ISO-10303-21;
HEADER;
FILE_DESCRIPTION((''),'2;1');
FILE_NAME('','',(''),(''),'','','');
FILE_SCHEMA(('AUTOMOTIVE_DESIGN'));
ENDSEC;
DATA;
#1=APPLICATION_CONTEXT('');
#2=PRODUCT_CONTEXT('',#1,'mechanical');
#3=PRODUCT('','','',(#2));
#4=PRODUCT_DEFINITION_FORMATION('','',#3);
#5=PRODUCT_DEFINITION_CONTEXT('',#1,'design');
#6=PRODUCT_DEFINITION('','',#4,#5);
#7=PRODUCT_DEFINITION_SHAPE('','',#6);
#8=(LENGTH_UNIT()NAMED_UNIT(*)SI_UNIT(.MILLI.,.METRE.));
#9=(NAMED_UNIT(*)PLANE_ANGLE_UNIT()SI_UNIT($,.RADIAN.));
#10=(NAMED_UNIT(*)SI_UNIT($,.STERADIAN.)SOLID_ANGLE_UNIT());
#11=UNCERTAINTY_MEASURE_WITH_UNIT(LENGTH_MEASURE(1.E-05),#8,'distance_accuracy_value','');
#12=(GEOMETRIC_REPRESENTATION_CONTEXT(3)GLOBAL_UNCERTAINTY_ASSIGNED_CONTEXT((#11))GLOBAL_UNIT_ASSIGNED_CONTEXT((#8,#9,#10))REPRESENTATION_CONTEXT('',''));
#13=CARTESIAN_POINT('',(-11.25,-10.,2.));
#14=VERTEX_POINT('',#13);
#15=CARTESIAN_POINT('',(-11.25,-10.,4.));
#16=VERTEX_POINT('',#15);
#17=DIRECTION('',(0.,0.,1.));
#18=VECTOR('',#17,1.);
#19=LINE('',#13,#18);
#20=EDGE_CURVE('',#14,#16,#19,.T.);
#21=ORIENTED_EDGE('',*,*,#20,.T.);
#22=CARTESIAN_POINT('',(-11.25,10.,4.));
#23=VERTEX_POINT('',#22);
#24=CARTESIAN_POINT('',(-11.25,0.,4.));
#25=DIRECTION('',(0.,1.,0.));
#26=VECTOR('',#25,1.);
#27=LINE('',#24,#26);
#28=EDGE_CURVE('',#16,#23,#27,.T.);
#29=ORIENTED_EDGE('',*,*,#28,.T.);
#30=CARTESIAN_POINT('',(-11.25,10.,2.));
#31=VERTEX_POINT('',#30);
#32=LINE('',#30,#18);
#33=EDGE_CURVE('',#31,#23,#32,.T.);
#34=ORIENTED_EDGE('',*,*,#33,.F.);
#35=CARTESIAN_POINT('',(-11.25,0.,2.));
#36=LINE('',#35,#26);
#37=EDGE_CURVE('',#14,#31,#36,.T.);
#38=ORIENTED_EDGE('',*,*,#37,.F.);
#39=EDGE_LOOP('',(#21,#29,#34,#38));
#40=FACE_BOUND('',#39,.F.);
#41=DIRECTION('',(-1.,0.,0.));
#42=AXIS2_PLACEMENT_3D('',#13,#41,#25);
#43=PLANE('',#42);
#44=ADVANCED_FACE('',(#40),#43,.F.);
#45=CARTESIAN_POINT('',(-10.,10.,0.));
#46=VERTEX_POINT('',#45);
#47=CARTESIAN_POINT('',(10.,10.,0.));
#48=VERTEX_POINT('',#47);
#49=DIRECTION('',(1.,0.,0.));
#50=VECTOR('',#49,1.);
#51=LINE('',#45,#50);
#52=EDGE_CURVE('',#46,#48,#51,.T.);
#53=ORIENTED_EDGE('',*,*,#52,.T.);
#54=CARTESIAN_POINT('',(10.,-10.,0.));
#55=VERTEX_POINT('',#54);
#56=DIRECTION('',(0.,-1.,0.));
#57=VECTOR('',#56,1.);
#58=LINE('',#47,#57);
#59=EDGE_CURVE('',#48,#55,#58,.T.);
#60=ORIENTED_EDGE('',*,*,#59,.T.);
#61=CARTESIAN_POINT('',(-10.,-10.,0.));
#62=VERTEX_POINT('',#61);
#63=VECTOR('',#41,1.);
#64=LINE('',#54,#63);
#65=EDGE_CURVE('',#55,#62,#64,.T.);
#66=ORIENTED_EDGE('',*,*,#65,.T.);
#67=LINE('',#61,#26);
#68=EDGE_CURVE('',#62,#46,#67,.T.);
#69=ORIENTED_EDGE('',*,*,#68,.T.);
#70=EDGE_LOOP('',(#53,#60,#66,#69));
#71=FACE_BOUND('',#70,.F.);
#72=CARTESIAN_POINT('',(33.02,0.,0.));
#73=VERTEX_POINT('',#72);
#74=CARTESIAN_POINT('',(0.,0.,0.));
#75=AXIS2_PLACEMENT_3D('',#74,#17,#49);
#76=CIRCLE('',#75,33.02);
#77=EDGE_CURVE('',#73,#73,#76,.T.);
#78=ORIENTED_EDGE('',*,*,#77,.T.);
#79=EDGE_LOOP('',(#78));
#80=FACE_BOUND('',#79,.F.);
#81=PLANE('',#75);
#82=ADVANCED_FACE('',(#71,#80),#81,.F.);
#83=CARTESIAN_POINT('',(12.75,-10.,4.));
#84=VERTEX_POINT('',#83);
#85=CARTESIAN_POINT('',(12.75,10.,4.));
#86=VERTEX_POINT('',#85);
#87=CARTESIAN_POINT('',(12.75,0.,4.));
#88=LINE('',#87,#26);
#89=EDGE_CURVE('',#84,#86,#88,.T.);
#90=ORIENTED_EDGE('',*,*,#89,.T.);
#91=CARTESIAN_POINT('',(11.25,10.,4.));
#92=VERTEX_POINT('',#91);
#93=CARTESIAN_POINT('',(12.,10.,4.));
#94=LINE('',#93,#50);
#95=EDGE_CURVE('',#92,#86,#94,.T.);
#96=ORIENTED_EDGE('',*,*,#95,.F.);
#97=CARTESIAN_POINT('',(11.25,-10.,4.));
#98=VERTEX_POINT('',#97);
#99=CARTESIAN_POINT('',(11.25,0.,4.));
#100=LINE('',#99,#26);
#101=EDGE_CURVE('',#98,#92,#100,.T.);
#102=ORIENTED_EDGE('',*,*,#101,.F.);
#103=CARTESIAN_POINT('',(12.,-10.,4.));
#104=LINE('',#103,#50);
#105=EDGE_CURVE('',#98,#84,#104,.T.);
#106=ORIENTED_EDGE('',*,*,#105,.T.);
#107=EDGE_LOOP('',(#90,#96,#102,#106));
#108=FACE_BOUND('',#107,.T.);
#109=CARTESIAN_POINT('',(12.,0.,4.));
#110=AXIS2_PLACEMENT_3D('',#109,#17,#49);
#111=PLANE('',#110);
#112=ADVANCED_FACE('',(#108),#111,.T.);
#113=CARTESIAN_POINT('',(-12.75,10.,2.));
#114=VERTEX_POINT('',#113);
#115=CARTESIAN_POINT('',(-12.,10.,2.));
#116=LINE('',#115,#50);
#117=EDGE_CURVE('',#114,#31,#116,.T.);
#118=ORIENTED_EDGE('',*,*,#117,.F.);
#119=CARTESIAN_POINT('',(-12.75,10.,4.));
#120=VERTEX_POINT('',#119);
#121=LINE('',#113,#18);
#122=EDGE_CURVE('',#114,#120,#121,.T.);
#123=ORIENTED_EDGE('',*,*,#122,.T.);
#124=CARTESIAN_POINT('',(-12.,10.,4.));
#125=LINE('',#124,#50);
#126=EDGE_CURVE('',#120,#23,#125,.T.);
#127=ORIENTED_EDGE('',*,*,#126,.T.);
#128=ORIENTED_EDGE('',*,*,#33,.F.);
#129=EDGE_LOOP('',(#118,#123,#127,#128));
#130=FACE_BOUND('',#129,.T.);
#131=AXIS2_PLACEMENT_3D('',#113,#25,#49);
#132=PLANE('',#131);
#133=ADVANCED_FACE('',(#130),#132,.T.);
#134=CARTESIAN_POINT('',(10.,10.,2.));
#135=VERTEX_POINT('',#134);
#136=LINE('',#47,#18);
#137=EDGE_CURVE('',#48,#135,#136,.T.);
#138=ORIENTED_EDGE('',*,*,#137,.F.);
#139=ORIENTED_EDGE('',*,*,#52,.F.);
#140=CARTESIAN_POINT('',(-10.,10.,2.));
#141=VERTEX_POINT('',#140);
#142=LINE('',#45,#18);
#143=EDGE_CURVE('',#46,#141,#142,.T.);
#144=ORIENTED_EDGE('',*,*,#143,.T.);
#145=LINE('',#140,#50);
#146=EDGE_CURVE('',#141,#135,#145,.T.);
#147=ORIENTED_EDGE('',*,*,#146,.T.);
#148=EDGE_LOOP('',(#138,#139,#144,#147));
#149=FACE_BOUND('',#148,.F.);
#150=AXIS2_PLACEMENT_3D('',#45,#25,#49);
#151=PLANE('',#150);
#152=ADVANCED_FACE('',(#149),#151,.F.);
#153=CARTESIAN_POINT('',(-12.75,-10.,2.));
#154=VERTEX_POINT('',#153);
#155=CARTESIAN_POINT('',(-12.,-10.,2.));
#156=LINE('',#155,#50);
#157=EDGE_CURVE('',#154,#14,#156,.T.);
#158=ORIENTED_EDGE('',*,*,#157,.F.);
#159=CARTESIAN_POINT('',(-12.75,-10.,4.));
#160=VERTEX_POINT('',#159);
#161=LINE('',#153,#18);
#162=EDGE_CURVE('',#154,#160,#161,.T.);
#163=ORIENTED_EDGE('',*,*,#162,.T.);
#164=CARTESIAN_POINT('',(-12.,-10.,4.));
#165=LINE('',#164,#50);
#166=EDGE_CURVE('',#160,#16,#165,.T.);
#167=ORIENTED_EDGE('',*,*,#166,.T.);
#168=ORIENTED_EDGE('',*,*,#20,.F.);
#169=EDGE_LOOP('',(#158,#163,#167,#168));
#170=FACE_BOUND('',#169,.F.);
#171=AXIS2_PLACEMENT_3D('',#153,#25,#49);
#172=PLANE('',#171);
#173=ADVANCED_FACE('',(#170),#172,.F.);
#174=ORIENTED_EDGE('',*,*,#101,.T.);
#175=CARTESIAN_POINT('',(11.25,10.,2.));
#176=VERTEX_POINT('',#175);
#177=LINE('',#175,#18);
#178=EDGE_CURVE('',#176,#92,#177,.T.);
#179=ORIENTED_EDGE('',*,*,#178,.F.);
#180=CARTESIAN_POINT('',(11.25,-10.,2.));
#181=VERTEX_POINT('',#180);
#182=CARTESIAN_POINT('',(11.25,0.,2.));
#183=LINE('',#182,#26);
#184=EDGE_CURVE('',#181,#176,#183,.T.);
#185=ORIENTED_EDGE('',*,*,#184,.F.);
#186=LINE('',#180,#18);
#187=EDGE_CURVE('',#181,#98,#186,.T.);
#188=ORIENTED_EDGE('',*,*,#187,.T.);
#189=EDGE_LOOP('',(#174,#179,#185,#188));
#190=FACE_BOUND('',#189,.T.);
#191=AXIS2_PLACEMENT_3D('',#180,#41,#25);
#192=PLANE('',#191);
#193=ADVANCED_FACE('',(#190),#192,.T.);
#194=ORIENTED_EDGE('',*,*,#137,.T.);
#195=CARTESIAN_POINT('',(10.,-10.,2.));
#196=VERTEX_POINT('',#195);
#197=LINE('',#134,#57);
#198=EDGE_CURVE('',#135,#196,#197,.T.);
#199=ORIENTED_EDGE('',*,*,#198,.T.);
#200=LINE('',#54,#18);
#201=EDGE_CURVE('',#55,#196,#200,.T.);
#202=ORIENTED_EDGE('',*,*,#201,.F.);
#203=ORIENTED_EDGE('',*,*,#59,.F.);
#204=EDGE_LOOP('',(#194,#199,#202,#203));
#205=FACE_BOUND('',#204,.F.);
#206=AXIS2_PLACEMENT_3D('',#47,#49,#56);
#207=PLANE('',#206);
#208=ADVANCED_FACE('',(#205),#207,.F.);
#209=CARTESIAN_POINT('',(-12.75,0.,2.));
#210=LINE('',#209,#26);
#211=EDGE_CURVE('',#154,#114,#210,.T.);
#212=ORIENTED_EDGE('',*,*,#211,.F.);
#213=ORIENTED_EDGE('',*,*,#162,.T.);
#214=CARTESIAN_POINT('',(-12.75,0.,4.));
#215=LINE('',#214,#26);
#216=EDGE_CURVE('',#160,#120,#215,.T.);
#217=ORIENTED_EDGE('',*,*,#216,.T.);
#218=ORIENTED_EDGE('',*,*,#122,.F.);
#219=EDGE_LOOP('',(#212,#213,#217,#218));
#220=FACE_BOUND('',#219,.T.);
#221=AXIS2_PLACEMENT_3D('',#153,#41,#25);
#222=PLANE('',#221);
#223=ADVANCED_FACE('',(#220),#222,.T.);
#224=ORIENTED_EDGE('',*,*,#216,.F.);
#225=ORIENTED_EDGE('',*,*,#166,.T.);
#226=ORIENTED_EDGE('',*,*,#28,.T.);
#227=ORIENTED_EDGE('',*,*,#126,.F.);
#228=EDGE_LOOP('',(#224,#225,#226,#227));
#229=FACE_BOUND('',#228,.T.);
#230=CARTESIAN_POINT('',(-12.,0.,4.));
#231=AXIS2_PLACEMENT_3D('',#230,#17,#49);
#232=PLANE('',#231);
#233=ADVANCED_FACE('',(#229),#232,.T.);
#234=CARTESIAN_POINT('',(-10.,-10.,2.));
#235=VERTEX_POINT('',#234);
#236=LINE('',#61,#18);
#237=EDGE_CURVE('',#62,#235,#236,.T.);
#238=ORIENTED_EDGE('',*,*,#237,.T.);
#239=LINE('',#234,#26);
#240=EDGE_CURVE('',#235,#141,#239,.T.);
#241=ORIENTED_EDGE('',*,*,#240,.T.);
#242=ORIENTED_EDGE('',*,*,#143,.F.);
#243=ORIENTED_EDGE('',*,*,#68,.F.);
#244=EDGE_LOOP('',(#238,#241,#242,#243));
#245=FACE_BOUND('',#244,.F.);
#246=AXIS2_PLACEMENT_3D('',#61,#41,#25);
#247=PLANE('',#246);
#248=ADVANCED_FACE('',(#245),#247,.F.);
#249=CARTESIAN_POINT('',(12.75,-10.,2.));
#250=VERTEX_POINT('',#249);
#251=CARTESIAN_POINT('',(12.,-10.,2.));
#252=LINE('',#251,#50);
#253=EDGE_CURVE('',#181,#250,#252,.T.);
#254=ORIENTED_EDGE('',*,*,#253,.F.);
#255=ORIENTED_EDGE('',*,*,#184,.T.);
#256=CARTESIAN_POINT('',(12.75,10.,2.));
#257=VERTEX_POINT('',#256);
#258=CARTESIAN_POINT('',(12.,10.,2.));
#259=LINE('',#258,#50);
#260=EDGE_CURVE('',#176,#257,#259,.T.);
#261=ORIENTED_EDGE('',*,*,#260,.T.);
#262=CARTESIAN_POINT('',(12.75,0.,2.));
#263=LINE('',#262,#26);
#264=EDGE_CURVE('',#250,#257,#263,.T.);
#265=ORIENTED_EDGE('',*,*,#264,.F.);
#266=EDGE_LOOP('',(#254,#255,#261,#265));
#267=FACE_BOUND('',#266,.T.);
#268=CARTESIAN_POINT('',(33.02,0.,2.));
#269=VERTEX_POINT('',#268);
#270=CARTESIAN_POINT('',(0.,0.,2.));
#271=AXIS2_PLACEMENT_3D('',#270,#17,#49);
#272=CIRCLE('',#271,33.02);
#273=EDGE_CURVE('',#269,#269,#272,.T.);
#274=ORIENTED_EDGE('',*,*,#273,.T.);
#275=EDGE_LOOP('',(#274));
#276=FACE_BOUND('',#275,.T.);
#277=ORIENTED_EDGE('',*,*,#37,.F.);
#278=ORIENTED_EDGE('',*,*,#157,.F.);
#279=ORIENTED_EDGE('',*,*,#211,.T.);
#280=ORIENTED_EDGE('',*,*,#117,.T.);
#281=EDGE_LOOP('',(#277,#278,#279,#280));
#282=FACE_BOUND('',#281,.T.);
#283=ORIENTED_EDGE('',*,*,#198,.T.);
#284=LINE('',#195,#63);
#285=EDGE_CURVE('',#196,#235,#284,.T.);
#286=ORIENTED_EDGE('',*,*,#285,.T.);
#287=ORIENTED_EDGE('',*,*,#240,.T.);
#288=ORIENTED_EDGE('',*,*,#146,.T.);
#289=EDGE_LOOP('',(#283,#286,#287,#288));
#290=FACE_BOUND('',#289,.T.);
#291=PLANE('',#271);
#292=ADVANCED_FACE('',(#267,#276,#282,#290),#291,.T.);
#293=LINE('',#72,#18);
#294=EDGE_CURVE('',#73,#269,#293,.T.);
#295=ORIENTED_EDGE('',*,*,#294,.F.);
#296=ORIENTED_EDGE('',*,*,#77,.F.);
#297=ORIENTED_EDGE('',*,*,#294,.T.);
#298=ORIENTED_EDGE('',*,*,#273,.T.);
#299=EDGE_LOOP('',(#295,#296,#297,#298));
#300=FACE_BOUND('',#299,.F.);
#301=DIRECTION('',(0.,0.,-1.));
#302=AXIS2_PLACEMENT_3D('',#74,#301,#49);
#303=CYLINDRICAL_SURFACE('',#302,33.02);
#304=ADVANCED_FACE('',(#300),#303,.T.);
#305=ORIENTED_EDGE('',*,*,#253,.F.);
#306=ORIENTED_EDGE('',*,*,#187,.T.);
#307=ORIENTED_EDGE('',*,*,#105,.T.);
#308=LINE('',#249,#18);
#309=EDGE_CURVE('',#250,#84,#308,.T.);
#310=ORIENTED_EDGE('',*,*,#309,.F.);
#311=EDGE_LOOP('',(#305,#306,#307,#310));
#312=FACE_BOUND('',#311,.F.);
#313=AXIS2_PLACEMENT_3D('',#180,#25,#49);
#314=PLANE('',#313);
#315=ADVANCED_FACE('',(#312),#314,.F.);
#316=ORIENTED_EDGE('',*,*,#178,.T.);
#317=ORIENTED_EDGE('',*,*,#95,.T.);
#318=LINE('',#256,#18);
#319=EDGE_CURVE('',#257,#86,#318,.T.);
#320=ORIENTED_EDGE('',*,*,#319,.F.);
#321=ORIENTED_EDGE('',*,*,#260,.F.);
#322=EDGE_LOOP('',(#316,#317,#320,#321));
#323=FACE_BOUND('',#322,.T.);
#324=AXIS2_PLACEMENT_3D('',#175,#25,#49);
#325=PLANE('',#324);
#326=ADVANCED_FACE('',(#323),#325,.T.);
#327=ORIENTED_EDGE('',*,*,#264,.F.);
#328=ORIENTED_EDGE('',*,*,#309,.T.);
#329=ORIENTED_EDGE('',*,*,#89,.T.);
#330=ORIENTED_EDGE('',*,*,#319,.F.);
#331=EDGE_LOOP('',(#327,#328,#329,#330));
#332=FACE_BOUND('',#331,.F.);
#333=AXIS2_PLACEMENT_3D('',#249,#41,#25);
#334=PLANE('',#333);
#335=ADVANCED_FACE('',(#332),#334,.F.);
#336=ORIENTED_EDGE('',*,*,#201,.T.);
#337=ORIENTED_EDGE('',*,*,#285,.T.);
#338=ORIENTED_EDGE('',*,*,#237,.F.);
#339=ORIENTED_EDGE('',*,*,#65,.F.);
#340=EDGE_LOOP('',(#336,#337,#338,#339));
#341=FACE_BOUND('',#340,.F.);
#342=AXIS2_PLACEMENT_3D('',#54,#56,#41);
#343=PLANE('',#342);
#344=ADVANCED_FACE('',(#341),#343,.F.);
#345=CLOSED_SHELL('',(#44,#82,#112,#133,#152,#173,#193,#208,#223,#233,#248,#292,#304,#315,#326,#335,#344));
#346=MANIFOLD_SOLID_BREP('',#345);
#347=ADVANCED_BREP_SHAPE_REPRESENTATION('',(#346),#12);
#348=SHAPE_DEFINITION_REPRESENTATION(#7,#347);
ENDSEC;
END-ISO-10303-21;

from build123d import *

# Parameters (mm, degrees)
F0_R     = 33.02
F0_W     = 1.5
F0_H     = 20
F1_DEPTH = 2
F2_W     = 1.5
F2_H     = 20
F3_DEPTH = 2


with BuildPart() as f1:
    # F0 (on Top) → F1 (new body)
    with BuildSketch(Plane.XY):
        Circle(F0_R)
        with Locations((-14.033131, 0)):
            Rectangle(F0_W, F0_H, mode=Mode.SUBTRACT)
        Polygon((0, -10), (-10, -10), (-10, 10), (0, 10), (10, 10), (10, -10), align=None, mode=Mode.SUBTRACT)
        with Locations((14.033131, 0)):
            Rectangle(F0_W, F0_H, mode=Mode.SUBTRACT)
        with Locations((-14.033131, 0)):
            Rectangle(F0_W, F0_H)
        with Locations((14.033131, 0)):
            Rectangle(F0_W, F0_H)
    extrude(amount=F1_DEPTH)

    # F2 (on face) → F3 (join)
    with BuildSketch(Plane.XY.offset(2)):
        with Locations((-12, 0)):
            Rectangle(F2_W, F2_H)
        with Locations((12, 0)):
            Rectangle(F2_W, F2_H)
    extrude(amount=F3_DEPTH)


solid = f1.part
